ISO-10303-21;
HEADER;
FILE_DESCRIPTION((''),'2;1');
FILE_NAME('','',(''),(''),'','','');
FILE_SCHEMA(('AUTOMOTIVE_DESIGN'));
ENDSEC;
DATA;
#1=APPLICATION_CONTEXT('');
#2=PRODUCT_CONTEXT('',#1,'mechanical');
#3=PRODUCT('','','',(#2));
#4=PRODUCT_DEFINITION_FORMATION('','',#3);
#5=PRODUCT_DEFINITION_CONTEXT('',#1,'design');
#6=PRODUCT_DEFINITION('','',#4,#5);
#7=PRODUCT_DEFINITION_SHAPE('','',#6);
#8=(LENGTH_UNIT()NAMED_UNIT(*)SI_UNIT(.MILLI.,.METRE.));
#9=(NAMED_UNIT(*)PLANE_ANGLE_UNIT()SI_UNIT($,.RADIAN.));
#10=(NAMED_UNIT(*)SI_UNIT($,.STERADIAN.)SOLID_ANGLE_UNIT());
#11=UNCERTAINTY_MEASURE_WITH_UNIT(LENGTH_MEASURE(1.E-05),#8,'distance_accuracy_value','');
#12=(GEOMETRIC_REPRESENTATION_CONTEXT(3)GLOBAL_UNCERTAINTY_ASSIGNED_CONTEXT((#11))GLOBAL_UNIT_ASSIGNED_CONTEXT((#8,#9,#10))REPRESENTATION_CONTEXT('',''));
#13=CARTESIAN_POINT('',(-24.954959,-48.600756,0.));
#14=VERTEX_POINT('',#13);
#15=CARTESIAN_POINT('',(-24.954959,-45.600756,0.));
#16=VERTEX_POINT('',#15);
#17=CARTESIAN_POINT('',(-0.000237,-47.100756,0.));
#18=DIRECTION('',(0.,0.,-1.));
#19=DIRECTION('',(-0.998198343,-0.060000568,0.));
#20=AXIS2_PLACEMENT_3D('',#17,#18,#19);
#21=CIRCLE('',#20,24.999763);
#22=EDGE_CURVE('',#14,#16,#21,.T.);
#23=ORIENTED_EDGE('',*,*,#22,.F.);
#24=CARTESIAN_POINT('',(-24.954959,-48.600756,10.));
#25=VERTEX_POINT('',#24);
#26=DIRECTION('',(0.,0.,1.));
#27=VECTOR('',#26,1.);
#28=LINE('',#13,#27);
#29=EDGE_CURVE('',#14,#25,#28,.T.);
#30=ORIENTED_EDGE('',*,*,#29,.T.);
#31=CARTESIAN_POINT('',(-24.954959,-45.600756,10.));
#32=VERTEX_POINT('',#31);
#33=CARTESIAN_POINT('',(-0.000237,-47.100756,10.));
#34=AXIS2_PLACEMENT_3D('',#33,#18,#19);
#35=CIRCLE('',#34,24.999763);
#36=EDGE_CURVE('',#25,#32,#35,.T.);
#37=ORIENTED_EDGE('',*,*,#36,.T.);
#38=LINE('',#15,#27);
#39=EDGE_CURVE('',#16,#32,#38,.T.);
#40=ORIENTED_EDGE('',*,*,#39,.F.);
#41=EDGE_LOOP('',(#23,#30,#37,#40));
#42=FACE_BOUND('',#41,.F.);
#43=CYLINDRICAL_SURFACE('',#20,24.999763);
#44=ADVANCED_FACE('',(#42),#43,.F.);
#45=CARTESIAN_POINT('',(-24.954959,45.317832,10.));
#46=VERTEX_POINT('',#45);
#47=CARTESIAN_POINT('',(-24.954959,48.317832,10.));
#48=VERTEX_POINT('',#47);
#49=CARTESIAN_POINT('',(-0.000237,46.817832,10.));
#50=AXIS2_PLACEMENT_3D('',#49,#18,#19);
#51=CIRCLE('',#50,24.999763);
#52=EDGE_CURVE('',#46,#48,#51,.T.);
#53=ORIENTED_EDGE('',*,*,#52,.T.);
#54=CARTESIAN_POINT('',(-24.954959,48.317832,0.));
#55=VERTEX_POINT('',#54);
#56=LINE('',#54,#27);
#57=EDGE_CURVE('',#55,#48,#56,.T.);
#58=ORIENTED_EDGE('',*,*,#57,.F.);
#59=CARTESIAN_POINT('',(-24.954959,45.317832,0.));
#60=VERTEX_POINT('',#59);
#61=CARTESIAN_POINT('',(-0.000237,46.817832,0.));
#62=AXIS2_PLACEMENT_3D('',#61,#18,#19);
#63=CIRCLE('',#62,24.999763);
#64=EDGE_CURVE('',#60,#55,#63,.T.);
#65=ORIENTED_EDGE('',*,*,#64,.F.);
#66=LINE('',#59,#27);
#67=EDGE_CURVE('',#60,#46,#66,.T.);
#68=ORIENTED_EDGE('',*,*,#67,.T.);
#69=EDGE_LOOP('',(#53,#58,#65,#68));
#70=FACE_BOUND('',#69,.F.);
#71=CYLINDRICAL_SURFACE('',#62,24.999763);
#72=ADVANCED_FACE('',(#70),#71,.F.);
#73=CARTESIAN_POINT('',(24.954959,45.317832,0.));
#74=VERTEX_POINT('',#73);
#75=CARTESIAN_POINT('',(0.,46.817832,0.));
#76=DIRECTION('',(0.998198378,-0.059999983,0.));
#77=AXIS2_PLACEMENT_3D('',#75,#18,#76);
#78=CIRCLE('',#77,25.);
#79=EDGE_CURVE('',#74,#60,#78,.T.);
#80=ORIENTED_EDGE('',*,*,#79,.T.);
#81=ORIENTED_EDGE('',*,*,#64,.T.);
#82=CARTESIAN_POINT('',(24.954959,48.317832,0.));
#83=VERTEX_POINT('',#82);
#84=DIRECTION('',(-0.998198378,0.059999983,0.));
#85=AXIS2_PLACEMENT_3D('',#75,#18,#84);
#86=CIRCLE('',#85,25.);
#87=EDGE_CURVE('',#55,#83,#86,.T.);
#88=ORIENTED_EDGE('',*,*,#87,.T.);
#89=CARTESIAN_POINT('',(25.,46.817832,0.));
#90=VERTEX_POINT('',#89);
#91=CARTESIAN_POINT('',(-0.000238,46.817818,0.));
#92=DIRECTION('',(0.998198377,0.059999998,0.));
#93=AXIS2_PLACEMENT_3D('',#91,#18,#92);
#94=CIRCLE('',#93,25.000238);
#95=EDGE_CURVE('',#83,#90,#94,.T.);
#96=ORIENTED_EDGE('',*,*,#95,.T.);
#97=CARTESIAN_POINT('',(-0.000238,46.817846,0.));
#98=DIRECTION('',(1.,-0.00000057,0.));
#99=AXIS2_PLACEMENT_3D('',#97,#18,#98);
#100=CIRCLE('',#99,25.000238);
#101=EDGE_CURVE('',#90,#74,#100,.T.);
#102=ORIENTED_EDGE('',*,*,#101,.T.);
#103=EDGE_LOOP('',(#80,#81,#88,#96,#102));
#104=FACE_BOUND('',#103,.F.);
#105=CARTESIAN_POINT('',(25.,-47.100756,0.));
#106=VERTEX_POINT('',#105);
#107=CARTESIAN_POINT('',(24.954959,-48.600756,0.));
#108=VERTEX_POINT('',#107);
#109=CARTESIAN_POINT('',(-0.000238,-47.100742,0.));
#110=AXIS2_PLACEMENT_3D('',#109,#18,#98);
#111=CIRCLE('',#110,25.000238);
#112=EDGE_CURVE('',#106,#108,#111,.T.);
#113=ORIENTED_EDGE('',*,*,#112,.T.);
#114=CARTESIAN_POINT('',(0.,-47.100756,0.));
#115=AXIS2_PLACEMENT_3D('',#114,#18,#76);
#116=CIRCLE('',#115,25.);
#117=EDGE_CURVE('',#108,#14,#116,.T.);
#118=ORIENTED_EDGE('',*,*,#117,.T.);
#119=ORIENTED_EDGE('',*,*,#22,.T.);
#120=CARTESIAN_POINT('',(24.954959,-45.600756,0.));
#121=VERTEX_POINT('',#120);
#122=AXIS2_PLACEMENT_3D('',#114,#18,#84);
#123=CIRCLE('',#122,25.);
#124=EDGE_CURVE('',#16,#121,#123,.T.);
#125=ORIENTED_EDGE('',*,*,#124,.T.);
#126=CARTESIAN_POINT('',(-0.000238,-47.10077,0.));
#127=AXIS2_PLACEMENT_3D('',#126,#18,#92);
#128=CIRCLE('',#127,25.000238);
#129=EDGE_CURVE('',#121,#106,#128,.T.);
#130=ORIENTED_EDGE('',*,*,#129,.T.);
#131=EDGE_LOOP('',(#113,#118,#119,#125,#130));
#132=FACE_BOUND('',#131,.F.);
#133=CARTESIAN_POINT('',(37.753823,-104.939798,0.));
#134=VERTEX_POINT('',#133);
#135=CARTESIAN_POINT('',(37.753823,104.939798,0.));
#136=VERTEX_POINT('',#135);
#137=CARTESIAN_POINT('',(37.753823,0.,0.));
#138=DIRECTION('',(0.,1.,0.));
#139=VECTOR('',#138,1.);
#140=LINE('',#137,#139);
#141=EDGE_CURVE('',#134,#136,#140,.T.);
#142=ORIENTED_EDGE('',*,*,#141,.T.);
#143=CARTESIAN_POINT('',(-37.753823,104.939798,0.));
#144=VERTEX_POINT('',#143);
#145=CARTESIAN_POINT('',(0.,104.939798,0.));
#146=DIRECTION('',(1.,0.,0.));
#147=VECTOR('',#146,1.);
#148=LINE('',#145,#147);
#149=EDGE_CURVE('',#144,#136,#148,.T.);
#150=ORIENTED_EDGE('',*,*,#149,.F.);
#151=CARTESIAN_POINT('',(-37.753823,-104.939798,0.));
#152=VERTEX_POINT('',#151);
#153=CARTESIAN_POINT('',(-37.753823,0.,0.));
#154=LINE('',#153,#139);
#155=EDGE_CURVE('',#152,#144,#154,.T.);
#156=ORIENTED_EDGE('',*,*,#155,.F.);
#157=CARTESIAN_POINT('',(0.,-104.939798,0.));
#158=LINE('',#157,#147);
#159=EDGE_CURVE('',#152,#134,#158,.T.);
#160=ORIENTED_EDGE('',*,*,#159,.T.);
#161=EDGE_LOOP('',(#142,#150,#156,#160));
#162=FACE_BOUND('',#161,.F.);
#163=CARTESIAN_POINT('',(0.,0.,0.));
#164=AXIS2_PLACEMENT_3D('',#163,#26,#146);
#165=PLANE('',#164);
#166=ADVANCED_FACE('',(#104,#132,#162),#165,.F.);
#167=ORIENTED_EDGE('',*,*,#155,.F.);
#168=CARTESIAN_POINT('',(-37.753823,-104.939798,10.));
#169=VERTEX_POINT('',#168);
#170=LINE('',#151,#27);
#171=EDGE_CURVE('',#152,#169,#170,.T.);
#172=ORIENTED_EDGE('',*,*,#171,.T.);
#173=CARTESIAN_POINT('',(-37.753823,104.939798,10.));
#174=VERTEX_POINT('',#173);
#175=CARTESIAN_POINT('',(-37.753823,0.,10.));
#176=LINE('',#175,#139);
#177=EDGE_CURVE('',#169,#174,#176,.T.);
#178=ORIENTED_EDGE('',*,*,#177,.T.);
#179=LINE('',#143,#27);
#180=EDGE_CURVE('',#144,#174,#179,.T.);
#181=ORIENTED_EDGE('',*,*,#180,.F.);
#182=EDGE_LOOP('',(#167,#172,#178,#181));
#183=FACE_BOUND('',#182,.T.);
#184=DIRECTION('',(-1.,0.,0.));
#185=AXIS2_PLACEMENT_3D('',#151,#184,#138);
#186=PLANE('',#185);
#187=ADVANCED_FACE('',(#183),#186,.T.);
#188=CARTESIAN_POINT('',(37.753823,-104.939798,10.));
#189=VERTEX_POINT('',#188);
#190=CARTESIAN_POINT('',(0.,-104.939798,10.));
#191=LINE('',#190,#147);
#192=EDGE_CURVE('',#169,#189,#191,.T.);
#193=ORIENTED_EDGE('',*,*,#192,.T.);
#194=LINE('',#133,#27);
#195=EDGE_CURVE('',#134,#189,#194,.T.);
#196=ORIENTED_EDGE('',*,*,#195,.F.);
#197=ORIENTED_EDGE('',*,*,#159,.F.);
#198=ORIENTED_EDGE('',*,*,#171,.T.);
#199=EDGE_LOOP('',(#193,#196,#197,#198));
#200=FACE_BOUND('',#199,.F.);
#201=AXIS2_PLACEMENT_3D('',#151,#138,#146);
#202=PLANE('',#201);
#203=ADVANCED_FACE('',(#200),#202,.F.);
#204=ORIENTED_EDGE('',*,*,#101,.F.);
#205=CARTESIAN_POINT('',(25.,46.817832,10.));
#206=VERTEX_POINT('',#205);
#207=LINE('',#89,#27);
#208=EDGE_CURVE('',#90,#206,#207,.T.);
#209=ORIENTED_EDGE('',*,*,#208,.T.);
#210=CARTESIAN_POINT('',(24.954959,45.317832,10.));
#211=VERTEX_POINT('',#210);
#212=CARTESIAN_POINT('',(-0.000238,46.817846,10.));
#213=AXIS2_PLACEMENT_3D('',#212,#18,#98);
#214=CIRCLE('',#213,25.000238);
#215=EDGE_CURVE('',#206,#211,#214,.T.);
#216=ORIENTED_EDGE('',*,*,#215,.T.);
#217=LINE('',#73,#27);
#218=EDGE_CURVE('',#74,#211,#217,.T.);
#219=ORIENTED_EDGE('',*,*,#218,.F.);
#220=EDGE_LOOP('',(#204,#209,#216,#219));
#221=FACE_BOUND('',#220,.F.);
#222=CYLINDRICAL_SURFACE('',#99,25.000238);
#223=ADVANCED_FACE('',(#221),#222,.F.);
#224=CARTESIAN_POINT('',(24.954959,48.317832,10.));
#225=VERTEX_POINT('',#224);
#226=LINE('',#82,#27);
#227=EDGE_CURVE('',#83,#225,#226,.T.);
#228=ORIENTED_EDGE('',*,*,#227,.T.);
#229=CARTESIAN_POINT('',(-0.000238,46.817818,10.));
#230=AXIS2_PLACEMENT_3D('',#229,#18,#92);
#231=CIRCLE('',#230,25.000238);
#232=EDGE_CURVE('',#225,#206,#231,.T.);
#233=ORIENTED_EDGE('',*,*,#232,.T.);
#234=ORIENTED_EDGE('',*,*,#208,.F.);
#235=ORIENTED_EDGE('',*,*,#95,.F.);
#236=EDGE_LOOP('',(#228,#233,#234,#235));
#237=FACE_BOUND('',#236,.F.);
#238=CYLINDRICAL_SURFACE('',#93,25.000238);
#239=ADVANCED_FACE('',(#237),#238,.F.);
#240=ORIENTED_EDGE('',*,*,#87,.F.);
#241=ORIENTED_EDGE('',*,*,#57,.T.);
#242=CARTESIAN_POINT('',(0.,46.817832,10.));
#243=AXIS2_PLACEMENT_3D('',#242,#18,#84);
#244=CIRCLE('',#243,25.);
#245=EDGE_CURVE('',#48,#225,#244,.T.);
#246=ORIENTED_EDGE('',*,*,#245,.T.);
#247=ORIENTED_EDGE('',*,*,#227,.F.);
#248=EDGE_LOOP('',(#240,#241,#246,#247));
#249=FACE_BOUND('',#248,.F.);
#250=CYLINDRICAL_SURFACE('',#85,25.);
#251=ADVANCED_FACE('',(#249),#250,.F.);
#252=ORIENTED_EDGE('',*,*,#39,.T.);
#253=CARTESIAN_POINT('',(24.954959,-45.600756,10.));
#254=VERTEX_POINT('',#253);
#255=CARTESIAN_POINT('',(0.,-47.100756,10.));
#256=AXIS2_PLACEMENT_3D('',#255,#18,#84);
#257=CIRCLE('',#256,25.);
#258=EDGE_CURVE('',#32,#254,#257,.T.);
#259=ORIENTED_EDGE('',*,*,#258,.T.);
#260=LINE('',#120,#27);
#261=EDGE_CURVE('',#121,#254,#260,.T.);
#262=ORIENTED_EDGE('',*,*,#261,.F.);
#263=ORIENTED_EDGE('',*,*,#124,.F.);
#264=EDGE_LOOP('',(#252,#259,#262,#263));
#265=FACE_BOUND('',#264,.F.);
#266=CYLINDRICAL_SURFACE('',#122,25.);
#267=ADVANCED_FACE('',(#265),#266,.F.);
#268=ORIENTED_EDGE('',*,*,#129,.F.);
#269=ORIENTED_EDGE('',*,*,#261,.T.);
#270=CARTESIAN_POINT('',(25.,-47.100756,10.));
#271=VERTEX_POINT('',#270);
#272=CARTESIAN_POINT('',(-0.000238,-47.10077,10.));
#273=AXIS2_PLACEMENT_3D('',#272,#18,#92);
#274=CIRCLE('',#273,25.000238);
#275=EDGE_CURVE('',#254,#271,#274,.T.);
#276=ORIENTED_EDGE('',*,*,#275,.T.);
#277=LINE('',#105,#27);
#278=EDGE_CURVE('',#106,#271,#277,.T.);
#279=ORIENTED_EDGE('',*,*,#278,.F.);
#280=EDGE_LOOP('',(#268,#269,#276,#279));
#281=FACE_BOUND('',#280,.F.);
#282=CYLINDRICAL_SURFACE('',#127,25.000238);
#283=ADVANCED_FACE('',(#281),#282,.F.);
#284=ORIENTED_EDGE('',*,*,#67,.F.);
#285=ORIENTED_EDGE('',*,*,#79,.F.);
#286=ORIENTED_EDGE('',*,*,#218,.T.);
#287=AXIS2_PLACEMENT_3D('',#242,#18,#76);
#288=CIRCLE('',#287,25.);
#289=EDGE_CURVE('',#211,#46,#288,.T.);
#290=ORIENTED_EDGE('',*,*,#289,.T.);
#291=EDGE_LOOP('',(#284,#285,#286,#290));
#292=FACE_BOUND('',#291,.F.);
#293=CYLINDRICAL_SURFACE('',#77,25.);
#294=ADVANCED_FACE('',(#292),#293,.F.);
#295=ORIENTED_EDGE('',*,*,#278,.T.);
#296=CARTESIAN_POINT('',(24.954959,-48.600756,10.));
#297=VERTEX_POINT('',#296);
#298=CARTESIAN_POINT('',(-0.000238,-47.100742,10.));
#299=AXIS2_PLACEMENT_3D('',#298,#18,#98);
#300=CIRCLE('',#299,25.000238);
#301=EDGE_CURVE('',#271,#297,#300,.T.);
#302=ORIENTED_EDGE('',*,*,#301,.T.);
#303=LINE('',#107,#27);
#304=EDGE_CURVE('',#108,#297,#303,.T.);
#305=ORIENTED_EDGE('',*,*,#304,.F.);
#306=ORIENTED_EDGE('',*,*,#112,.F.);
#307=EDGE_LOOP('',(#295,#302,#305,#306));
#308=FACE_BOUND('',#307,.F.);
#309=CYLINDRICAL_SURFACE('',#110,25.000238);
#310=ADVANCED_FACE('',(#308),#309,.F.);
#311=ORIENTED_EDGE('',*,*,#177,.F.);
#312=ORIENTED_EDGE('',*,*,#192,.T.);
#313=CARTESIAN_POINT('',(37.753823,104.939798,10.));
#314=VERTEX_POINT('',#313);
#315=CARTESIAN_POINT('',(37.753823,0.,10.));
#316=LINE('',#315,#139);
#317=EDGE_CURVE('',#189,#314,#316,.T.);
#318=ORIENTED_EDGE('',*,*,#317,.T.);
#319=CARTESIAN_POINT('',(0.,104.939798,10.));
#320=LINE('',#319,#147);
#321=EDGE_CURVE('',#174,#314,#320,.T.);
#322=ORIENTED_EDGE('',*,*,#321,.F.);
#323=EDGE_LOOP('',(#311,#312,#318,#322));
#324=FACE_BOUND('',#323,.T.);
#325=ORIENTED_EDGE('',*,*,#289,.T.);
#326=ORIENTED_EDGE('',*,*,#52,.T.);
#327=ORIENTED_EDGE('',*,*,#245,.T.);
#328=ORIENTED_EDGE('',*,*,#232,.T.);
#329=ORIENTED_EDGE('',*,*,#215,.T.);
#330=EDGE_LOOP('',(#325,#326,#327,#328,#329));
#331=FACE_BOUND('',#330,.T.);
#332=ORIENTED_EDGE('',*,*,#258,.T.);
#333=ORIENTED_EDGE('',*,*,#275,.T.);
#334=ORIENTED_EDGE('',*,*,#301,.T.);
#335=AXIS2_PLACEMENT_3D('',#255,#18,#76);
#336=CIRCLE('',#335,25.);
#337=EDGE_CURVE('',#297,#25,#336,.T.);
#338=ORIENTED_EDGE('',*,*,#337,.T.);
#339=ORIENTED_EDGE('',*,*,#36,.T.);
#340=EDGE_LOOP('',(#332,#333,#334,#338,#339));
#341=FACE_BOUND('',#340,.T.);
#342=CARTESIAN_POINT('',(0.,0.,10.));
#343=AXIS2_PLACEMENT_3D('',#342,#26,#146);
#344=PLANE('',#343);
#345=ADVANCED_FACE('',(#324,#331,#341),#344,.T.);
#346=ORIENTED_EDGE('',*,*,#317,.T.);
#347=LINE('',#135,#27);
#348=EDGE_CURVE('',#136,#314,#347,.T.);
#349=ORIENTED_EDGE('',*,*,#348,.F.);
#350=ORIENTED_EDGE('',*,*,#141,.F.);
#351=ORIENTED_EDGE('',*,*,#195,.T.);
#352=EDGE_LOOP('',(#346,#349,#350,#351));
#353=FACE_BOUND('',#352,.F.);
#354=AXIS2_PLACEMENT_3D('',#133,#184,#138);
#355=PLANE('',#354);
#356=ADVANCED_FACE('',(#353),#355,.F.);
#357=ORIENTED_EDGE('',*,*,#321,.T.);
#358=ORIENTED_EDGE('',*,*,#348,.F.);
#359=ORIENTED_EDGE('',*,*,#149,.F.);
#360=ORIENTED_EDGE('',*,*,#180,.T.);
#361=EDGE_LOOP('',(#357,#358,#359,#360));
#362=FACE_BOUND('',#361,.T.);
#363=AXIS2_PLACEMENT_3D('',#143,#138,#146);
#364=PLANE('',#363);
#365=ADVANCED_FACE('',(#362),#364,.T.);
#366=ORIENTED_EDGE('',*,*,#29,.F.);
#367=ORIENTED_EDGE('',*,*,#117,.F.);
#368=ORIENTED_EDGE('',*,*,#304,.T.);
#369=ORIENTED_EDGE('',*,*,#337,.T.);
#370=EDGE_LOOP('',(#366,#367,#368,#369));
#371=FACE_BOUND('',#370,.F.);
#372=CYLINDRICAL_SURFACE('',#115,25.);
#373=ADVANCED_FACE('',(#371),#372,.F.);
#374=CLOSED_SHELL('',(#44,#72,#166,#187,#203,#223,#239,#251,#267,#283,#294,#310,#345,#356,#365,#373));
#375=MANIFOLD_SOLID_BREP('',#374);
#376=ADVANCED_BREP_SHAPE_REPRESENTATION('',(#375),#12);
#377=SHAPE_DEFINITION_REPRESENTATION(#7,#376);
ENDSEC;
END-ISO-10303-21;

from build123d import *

# Parameters (mm, degrees)
F0_W     = 75.507646
F0_H     = 209.879596
F1_DEPTH = 10


with BuildPart() as f1:
    # F0 (on Top) → F1 (new body)
    with BuildSketch(Plane.XY):
        Rectangle(F0_W, F0_H)
        with BuildLine():
            ThreePointArc((-24.954959, -45.600756), (0, -22.100756), (24.954959, -45.600756))
            Line((24.954959, -45.600756), (27.5, -45.600756))
            Line((27.5, -45.600756), (27.5, -48.600756))
            Line((27.5, -48.600756), (24.954959, -48.600756))
            ThreePointArc((24.954959, -48.600756), (0, -72.100756), (-24.954959, -48.600756))
            Line((-24.954959, -48.600756), (-27.5, -48.600756))
            Line((-27.5, -48.600756), (-27.5, -45.600756))
            Line((-27.5, -45.600756), (-24.954959, -45.600756))
        make_face(mode=Mode.SUBTRACT)
        with BuildLine():
            ThreePointArc((-24.954959, 48.317832), (0, 71.817832), (24.954959, 48.317832))
            Line((24.954959, 48.317832), (27.5, 48.317832))
            Line((27.5, 48.317832), (27.5, 45.317832))
            Line((27.5, 45.317832), (24.954959, 45.317832))
            ThreePointArc((24.954959, 45.317832), (0, 21.817832), (-24.954959, 45.317832))
            Line((-24.954959, 45.317832), (-27.5, 45.317832))
            Line((-27.5, 45.317832), (-27.5, 48.317832))
            Line((-27.5, 48.317832), (-24.954959, 48.317832))
        make_face(mode=Mode.SUBTRACT)
        with BuildLine():
            ThreePointArc((24.954959, -45.600756), (24.988737, -46.350418), (25, -47.100756))
            ThreePointArc((25, -47.100756), (24.988737, -47.851094), (24.954959, -48.600756))
            Line((24.954959, -48.600756), (27.5, -48.600756))
            Line((27.5, -48.600756), (27.5, -45.600756))
            Line((27.5, -45.600756), (24.954959, -45.600756))
        make_face()
        with BuildLine():
            ThreePointArc((-24.954959, -48.600756), (-25, -47.100756), (-24.954959, -45.600756))
            Line((-24.954959, -45.600756), (-27.5, -45.600756))
            Line((-27.5, -45.600756), (-27.5, -48.600756))
            Line((-27.5, -48.600756), (-24.954959, -48.600756))
        make_face()
        with BuildLine():
            ThreePointArc((-24.954959, 45.317832), (-25, 46.817832), (-24.954959, 48.317832))
            Line((-24.954959, 48.317832), (-27.5, 48.317832))
            Line((-27.5, 48.317832), (-27.5, 45.317832))
            Line((-27.5, 45.317832), (-24.954959, 45.317832))
        make_face()
        with BuildLine():
            ThreePointArc((24.954959, 48.317832), (24.988737, 47.56817), (25, 46.817832))
            ThreePointArc((25, 46.817832), (24.988737, 46.067494), (24.954959, 45.317832))
            Line((24.954959, 45.317832), (27.5, 45.317832))
            Line((27.5, 45.317832), (27.5, 48.317832))
            Line((27.5, 48.317832), (24.954959, 48.317832))
        make_face()
    extrude(amount=F1_DEPTH)


solid = f1.part
